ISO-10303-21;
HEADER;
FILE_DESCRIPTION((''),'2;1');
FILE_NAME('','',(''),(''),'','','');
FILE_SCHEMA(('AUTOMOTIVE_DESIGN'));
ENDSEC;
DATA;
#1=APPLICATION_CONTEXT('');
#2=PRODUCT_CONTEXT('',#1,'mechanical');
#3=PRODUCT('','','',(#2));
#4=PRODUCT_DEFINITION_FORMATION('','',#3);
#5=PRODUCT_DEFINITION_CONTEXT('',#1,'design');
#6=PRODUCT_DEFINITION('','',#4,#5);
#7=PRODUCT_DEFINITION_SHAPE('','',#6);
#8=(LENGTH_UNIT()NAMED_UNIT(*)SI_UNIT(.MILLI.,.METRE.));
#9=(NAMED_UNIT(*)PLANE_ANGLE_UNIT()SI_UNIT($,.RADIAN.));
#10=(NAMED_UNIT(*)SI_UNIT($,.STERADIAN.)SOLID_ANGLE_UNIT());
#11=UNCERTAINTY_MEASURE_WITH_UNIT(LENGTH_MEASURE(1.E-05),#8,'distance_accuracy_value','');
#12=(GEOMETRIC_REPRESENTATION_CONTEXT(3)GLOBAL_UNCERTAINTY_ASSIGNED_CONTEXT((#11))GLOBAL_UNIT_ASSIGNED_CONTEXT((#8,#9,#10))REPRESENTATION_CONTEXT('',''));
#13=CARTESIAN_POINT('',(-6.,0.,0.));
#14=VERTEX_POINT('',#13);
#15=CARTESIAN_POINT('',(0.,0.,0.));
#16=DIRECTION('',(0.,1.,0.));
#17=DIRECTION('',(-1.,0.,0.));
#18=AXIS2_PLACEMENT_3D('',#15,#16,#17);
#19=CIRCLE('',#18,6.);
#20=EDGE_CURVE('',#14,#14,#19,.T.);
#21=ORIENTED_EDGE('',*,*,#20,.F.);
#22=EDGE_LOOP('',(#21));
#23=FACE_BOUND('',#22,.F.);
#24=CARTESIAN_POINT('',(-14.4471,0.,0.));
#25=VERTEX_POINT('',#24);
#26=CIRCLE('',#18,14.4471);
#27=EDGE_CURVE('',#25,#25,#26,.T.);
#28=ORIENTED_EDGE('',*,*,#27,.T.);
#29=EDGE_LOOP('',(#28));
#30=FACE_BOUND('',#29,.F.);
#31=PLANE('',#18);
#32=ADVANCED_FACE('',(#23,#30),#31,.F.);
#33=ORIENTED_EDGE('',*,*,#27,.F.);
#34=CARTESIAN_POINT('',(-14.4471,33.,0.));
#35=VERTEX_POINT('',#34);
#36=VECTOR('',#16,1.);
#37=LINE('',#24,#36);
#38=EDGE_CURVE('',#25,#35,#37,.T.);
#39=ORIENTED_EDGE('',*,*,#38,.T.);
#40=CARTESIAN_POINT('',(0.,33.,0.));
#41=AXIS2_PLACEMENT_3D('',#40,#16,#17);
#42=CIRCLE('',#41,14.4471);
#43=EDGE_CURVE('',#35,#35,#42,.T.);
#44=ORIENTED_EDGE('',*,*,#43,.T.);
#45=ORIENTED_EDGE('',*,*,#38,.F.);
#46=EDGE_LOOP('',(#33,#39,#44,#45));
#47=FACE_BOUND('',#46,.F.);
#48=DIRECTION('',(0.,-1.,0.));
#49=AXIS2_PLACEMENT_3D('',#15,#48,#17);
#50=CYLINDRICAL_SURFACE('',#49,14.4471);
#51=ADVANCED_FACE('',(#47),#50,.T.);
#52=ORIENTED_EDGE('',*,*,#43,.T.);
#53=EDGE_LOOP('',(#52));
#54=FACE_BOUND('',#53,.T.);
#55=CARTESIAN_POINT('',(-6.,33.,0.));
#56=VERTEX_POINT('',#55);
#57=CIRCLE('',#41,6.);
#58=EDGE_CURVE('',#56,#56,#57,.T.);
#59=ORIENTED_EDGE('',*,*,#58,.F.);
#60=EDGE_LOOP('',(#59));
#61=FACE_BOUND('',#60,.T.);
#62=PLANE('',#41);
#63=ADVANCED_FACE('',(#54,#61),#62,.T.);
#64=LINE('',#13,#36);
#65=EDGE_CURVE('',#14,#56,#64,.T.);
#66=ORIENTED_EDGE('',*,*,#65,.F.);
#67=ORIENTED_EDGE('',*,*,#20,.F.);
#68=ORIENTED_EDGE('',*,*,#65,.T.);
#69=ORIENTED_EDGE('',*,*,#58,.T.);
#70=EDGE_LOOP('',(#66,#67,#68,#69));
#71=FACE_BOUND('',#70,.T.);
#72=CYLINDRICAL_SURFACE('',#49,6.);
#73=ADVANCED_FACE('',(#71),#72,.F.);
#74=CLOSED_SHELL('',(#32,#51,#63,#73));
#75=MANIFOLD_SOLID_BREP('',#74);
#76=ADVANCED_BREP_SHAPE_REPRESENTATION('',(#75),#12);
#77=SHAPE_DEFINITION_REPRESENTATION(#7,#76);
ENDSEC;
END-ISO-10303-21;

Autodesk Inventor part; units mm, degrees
ref_plane "YZ Plane" through (0, 0, 0) normal (1, 0, 0) x (0, 1, 0)
ref_plane "XZ Plane" through (0, 0, 0) normal (0, 1, 0) x (-1, 0, 0)
ref_plane "XY Plane" through (0, 0, 0) normal (0, 0, 1) x (1, 0, 0)
sketch "Szkic1" plane through (0, 0, 0) normal (0, 1, 0) x (-1, 0, 0)
  circle A0 centre (0, 0) radius 6
  circle A1 centre (0, 0) radius 14.4471
  dimension "d0" = 12
extrude "Wyciągnięcie proste1" add sketch "Szkic1" along normal blind 33
properties material "Aluminium 6061"
